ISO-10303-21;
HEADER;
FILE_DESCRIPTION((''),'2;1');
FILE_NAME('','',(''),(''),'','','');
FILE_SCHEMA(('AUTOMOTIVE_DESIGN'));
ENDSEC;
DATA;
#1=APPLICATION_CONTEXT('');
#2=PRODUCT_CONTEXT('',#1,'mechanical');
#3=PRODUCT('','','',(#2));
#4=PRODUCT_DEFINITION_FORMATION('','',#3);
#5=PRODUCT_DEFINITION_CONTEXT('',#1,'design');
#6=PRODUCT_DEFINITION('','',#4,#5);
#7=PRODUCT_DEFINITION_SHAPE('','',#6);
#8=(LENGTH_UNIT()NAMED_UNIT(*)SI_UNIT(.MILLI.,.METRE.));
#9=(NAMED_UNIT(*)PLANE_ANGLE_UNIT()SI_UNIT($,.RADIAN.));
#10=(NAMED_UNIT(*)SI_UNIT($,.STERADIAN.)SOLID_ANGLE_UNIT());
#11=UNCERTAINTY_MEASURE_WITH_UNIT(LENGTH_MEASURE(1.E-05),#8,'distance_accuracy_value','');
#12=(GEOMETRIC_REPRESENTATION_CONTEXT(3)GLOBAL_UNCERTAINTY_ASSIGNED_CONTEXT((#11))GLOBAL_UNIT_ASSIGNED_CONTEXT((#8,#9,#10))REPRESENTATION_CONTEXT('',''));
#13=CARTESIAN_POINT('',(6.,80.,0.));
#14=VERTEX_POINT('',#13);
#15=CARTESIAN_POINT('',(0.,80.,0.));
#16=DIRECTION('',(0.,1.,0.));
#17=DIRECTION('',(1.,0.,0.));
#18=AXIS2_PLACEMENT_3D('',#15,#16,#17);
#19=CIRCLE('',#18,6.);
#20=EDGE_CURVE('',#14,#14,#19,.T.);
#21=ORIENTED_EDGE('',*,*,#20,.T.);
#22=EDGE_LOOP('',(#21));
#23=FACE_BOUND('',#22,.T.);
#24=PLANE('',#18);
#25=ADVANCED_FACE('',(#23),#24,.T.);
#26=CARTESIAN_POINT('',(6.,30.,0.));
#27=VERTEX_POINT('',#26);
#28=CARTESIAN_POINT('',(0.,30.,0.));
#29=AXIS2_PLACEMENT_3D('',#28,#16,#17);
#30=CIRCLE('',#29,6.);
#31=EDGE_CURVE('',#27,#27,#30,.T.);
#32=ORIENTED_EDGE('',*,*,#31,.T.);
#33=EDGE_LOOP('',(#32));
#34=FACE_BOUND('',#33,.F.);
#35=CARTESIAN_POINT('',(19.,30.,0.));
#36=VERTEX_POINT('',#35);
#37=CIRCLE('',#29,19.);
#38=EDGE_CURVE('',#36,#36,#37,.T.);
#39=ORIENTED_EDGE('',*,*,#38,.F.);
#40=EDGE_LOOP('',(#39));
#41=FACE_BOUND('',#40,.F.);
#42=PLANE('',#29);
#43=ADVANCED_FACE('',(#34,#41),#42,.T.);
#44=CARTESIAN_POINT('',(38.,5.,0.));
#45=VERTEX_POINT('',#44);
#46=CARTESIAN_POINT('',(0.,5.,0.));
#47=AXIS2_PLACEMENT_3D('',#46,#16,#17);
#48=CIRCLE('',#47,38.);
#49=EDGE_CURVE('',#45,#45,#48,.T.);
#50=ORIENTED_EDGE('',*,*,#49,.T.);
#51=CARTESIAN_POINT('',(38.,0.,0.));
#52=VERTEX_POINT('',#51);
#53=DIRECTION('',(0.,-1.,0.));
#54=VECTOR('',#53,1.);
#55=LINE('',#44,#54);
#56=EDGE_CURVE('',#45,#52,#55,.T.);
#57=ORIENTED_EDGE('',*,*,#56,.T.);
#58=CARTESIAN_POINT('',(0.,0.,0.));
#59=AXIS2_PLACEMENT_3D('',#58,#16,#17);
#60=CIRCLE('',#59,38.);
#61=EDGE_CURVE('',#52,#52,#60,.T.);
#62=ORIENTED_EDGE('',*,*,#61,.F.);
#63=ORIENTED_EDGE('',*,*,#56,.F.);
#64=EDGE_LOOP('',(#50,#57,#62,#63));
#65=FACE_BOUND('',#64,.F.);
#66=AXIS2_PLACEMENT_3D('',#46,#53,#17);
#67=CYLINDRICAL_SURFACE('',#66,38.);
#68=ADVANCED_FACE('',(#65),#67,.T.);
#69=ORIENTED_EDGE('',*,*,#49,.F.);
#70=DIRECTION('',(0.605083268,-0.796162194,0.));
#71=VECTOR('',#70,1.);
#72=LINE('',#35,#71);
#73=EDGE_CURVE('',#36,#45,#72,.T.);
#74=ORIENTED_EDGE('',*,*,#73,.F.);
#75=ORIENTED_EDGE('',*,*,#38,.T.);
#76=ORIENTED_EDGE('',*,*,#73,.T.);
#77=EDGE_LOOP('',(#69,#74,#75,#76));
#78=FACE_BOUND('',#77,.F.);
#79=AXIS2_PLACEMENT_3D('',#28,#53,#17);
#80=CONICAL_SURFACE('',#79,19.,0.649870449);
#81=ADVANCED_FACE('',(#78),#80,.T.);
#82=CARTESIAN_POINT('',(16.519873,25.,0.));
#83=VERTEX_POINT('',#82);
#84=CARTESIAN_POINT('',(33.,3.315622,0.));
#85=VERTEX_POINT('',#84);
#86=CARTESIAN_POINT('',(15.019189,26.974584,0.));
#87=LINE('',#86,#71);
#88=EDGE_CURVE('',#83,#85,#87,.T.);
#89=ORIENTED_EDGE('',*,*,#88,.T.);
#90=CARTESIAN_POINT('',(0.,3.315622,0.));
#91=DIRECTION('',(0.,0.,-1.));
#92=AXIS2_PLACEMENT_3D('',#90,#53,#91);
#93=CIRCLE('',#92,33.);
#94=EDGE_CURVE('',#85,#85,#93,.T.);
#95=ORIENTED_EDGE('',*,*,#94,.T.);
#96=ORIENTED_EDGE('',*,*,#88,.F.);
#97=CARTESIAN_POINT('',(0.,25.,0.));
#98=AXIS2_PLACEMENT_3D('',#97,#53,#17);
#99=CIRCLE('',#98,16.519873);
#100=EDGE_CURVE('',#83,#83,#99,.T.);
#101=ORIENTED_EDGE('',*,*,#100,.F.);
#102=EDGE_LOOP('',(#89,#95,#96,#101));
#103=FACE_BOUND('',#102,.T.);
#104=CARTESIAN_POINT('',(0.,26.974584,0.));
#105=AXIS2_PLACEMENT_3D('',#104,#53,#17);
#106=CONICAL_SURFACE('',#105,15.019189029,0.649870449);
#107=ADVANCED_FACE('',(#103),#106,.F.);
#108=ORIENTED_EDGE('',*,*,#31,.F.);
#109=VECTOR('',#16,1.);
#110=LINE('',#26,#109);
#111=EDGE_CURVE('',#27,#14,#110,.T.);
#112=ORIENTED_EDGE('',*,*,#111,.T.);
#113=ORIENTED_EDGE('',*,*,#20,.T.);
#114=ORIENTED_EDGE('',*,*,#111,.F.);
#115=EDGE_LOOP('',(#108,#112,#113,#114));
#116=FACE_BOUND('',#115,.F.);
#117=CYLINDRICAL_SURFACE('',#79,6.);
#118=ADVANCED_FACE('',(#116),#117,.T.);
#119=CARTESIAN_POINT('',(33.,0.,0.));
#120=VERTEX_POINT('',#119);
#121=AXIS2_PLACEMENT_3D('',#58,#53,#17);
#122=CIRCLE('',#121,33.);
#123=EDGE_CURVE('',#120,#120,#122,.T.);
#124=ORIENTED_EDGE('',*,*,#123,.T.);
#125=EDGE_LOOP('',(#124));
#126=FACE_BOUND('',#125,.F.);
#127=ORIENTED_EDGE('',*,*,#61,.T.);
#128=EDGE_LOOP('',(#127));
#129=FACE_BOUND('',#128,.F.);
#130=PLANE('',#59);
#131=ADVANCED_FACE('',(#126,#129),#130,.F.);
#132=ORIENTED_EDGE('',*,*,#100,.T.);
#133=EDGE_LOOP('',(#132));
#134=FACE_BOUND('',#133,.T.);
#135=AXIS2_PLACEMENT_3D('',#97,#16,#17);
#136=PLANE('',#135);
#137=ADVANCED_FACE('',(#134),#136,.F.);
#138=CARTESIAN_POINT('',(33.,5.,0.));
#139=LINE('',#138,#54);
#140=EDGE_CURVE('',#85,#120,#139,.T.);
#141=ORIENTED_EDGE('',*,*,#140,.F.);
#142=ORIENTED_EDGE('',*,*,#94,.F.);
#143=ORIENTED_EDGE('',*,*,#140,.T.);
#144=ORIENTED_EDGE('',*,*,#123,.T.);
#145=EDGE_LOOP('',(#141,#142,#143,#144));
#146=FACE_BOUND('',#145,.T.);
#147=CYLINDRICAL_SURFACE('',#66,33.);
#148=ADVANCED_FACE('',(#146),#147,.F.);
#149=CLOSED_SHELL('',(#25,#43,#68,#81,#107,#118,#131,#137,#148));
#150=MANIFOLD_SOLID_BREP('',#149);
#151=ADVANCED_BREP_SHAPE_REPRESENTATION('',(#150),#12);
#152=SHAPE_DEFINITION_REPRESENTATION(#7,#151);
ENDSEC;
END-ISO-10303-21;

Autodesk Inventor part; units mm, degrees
ref_plane "YZ Plane" through (0, 0, 0) normal (1, 0, 0) x (0, 1, 0)
ref_plane "XZ Plane" through (0, 0, 0) normal (0, 1, 0) x (-1, 0, 0)
ref_plane "XY Plane" through (0, 0, 0) normal (0, 0, 1) x (1, 0, 0)
sketch "Sketch1" plane through (0, 0, 0) normal (0, 0, 1) x (1, 0, 0)
  line L0 (0, 0) -> (0, 30)
  line L1 (0, 30) -> (19, 30)
  line L2 (19, 30) -> (38, 5)
  line L3 (38, 5) -> (38, 0)
  line L4 (38, 0) -> (0, 0)
  dimension "C" = 76
  dimension "d1" = 30
  dimension "d2" = 5
  dimension "d3" = 38
revolve "Revolution1" add sketch "Sketch1" angle 360 about axis through (0, 0, 0) along (0, 1, 0)
shell "Shell1" thickness 5 removed faces 1 at (9.1519, 0, -15.3991)
sketch "Sketch2" plane through (0, 30, 0) normal (0, 1, 0) x (1, 0, 0)
  circle A0 centre (0, 0) radius 19 projected
  circle A1 centre (0, 0) radius 6
  dimension "d6" = 12
extrude "Extrusion1" add sketch "Sketch2" along normal blind 50 contours A1
thread "Thread1" size "M12x1.75" class "6g" standard "ANSI Metric M Profile" full length
equation "\"d3\" = 0.5 * C"
equation "\"d7\" = Dmax - d1"
equation "\"Dmin\" = 41"
equation "\"Dmax\" = 80"
properties part number "21-013"
